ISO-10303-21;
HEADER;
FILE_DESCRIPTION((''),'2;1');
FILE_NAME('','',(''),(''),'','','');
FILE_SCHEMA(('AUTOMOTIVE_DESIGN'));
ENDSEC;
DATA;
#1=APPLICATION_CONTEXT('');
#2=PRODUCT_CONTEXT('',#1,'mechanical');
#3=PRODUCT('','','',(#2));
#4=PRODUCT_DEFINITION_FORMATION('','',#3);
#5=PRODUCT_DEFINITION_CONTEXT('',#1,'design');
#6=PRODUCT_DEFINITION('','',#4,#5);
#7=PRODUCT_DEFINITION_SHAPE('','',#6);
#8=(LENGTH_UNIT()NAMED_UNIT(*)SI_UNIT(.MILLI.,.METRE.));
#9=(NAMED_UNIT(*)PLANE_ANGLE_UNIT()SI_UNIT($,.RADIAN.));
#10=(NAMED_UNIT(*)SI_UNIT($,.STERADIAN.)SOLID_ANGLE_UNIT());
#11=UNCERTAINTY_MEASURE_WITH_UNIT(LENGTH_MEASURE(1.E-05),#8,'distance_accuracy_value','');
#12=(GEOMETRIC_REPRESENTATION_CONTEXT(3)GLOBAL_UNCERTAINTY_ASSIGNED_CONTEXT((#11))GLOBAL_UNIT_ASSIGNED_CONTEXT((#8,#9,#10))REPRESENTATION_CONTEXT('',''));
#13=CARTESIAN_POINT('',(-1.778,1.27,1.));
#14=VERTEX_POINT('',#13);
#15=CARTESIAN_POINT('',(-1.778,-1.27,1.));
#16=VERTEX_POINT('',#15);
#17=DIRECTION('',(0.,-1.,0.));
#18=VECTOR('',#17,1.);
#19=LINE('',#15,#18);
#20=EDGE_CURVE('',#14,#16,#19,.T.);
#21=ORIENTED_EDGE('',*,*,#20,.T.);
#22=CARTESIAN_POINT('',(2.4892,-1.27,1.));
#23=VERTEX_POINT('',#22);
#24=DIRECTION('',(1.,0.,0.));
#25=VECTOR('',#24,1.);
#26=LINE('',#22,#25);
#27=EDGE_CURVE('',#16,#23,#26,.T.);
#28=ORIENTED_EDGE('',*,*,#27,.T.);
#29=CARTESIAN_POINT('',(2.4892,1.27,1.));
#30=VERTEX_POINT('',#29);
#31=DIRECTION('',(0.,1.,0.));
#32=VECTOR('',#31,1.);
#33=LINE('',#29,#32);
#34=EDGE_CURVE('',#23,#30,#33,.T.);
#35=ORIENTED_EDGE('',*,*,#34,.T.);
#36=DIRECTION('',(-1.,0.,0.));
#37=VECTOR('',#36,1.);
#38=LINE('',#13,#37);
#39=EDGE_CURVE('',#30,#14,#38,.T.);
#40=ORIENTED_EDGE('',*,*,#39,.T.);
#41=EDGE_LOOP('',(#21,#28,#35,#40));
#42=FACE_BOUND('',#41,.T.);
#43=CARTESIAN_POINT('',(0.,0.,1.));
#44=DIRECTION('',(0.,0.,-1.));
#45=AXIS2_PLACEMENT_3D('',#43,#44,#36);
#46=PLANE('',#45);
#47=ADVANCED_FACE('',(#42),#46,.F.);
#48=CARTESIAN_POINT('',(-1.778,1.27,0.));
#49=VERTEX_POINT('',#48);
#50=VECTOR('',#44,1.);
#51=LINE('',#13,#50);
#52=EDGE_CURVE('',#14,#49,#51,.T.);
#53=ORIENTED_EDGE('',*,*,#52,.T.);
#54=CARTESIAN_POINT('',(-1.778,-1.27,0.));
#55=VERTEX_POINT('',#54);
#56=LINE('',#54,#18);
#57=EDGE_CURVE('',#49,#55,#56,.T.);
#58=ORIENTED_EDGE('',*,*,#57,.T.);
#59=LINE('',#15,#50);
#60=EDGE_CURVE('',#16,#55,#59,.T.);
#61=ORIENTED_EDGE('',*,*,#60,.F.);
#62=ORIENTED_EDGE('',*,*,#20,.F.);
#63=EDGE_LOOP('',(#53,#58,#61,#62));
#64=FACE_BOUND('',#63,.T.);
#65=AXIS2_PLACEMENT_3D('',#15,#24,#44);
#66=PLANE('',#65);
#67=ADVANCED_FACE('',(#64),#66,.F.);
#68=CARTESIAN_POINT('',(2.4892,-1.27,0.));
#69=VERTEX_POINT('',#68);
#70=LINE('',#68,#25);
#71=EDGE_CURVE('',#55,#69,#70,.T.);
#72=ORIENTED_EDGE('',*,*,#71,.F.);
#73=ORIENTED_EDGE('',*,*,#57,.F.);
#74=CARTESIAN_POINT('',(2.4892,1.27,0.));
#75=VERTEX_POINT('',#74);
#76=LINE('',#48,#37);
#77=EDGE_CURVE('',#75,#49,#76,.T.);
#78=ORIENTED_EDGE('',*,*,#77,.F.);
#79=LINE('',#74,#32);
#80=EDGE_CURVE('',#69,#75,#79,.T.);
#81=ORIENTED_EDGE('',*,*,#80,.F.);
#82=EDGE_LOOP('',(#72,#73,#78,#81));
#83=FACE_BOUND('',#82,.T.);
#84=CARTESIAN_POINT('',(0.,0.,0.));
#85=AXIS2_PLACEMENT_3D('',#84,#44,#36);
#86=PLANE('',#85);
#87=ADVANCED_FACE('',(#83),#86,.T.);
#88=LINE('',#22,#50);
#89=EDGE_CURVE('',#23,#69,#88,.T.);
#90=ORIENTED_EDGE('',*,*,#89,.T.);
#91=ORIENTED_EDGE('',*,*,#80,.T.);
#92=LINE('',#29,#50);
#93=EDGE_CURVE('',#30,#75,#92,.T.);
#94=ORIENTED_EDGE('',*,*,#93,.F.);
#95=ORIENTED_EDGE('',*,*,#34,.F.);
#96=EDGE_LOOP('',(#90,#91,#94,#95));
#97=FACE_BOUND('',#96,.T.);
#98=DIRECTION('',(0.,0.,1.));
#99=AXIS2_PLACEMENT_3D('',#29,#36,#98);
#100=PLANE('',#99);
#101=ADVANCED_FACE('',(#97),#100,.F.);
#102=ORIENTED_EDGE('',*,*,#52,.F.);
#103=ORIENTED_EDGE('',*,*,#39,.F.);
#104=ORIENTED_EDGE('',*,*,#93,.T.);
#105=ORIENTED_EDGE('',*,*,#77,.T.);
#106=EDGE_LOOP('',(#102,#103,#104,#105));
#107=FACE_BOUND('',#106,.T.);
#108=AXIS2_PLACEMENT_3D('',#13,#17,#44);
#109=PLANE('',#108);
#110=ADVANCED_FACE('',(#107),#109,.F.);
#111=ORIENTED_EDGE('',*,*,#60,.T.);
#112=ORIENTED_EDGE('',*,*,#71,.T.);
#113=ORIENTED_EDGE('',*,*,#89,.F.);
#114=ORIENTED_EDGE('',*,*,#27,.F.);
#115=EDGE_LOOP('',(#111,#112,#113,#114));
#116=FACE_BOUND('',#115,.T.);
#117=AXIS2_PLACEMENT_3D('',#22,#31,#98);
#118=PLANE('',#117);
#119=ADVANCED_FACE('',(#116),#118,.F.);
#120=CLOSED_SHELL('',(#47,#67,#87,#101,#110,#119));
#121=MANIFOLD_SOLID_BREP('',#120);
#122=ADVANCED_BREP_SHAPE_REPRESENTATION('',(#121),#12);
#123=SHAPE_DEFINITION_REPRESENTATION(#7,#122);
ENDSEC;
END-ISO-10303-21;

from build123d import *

# Parameters (mm, degrees)
SKETCH1_W               = 4.2672
SKETCH1_H               = 2.54
COMPONENT_OUTLINE_DEPTH = 1


with BuildPart() as part:
    # Sketch1 → Component_Outline (new body)
    with BuildSketch(Plane.XY):
        with Locations((0.3556, 0)):
            Rectangle(SKETCH1_W, SKETCH1_H)
    extrude(amount=COMPONENT_OUTLINE_DEPTH)


solid = part.part
